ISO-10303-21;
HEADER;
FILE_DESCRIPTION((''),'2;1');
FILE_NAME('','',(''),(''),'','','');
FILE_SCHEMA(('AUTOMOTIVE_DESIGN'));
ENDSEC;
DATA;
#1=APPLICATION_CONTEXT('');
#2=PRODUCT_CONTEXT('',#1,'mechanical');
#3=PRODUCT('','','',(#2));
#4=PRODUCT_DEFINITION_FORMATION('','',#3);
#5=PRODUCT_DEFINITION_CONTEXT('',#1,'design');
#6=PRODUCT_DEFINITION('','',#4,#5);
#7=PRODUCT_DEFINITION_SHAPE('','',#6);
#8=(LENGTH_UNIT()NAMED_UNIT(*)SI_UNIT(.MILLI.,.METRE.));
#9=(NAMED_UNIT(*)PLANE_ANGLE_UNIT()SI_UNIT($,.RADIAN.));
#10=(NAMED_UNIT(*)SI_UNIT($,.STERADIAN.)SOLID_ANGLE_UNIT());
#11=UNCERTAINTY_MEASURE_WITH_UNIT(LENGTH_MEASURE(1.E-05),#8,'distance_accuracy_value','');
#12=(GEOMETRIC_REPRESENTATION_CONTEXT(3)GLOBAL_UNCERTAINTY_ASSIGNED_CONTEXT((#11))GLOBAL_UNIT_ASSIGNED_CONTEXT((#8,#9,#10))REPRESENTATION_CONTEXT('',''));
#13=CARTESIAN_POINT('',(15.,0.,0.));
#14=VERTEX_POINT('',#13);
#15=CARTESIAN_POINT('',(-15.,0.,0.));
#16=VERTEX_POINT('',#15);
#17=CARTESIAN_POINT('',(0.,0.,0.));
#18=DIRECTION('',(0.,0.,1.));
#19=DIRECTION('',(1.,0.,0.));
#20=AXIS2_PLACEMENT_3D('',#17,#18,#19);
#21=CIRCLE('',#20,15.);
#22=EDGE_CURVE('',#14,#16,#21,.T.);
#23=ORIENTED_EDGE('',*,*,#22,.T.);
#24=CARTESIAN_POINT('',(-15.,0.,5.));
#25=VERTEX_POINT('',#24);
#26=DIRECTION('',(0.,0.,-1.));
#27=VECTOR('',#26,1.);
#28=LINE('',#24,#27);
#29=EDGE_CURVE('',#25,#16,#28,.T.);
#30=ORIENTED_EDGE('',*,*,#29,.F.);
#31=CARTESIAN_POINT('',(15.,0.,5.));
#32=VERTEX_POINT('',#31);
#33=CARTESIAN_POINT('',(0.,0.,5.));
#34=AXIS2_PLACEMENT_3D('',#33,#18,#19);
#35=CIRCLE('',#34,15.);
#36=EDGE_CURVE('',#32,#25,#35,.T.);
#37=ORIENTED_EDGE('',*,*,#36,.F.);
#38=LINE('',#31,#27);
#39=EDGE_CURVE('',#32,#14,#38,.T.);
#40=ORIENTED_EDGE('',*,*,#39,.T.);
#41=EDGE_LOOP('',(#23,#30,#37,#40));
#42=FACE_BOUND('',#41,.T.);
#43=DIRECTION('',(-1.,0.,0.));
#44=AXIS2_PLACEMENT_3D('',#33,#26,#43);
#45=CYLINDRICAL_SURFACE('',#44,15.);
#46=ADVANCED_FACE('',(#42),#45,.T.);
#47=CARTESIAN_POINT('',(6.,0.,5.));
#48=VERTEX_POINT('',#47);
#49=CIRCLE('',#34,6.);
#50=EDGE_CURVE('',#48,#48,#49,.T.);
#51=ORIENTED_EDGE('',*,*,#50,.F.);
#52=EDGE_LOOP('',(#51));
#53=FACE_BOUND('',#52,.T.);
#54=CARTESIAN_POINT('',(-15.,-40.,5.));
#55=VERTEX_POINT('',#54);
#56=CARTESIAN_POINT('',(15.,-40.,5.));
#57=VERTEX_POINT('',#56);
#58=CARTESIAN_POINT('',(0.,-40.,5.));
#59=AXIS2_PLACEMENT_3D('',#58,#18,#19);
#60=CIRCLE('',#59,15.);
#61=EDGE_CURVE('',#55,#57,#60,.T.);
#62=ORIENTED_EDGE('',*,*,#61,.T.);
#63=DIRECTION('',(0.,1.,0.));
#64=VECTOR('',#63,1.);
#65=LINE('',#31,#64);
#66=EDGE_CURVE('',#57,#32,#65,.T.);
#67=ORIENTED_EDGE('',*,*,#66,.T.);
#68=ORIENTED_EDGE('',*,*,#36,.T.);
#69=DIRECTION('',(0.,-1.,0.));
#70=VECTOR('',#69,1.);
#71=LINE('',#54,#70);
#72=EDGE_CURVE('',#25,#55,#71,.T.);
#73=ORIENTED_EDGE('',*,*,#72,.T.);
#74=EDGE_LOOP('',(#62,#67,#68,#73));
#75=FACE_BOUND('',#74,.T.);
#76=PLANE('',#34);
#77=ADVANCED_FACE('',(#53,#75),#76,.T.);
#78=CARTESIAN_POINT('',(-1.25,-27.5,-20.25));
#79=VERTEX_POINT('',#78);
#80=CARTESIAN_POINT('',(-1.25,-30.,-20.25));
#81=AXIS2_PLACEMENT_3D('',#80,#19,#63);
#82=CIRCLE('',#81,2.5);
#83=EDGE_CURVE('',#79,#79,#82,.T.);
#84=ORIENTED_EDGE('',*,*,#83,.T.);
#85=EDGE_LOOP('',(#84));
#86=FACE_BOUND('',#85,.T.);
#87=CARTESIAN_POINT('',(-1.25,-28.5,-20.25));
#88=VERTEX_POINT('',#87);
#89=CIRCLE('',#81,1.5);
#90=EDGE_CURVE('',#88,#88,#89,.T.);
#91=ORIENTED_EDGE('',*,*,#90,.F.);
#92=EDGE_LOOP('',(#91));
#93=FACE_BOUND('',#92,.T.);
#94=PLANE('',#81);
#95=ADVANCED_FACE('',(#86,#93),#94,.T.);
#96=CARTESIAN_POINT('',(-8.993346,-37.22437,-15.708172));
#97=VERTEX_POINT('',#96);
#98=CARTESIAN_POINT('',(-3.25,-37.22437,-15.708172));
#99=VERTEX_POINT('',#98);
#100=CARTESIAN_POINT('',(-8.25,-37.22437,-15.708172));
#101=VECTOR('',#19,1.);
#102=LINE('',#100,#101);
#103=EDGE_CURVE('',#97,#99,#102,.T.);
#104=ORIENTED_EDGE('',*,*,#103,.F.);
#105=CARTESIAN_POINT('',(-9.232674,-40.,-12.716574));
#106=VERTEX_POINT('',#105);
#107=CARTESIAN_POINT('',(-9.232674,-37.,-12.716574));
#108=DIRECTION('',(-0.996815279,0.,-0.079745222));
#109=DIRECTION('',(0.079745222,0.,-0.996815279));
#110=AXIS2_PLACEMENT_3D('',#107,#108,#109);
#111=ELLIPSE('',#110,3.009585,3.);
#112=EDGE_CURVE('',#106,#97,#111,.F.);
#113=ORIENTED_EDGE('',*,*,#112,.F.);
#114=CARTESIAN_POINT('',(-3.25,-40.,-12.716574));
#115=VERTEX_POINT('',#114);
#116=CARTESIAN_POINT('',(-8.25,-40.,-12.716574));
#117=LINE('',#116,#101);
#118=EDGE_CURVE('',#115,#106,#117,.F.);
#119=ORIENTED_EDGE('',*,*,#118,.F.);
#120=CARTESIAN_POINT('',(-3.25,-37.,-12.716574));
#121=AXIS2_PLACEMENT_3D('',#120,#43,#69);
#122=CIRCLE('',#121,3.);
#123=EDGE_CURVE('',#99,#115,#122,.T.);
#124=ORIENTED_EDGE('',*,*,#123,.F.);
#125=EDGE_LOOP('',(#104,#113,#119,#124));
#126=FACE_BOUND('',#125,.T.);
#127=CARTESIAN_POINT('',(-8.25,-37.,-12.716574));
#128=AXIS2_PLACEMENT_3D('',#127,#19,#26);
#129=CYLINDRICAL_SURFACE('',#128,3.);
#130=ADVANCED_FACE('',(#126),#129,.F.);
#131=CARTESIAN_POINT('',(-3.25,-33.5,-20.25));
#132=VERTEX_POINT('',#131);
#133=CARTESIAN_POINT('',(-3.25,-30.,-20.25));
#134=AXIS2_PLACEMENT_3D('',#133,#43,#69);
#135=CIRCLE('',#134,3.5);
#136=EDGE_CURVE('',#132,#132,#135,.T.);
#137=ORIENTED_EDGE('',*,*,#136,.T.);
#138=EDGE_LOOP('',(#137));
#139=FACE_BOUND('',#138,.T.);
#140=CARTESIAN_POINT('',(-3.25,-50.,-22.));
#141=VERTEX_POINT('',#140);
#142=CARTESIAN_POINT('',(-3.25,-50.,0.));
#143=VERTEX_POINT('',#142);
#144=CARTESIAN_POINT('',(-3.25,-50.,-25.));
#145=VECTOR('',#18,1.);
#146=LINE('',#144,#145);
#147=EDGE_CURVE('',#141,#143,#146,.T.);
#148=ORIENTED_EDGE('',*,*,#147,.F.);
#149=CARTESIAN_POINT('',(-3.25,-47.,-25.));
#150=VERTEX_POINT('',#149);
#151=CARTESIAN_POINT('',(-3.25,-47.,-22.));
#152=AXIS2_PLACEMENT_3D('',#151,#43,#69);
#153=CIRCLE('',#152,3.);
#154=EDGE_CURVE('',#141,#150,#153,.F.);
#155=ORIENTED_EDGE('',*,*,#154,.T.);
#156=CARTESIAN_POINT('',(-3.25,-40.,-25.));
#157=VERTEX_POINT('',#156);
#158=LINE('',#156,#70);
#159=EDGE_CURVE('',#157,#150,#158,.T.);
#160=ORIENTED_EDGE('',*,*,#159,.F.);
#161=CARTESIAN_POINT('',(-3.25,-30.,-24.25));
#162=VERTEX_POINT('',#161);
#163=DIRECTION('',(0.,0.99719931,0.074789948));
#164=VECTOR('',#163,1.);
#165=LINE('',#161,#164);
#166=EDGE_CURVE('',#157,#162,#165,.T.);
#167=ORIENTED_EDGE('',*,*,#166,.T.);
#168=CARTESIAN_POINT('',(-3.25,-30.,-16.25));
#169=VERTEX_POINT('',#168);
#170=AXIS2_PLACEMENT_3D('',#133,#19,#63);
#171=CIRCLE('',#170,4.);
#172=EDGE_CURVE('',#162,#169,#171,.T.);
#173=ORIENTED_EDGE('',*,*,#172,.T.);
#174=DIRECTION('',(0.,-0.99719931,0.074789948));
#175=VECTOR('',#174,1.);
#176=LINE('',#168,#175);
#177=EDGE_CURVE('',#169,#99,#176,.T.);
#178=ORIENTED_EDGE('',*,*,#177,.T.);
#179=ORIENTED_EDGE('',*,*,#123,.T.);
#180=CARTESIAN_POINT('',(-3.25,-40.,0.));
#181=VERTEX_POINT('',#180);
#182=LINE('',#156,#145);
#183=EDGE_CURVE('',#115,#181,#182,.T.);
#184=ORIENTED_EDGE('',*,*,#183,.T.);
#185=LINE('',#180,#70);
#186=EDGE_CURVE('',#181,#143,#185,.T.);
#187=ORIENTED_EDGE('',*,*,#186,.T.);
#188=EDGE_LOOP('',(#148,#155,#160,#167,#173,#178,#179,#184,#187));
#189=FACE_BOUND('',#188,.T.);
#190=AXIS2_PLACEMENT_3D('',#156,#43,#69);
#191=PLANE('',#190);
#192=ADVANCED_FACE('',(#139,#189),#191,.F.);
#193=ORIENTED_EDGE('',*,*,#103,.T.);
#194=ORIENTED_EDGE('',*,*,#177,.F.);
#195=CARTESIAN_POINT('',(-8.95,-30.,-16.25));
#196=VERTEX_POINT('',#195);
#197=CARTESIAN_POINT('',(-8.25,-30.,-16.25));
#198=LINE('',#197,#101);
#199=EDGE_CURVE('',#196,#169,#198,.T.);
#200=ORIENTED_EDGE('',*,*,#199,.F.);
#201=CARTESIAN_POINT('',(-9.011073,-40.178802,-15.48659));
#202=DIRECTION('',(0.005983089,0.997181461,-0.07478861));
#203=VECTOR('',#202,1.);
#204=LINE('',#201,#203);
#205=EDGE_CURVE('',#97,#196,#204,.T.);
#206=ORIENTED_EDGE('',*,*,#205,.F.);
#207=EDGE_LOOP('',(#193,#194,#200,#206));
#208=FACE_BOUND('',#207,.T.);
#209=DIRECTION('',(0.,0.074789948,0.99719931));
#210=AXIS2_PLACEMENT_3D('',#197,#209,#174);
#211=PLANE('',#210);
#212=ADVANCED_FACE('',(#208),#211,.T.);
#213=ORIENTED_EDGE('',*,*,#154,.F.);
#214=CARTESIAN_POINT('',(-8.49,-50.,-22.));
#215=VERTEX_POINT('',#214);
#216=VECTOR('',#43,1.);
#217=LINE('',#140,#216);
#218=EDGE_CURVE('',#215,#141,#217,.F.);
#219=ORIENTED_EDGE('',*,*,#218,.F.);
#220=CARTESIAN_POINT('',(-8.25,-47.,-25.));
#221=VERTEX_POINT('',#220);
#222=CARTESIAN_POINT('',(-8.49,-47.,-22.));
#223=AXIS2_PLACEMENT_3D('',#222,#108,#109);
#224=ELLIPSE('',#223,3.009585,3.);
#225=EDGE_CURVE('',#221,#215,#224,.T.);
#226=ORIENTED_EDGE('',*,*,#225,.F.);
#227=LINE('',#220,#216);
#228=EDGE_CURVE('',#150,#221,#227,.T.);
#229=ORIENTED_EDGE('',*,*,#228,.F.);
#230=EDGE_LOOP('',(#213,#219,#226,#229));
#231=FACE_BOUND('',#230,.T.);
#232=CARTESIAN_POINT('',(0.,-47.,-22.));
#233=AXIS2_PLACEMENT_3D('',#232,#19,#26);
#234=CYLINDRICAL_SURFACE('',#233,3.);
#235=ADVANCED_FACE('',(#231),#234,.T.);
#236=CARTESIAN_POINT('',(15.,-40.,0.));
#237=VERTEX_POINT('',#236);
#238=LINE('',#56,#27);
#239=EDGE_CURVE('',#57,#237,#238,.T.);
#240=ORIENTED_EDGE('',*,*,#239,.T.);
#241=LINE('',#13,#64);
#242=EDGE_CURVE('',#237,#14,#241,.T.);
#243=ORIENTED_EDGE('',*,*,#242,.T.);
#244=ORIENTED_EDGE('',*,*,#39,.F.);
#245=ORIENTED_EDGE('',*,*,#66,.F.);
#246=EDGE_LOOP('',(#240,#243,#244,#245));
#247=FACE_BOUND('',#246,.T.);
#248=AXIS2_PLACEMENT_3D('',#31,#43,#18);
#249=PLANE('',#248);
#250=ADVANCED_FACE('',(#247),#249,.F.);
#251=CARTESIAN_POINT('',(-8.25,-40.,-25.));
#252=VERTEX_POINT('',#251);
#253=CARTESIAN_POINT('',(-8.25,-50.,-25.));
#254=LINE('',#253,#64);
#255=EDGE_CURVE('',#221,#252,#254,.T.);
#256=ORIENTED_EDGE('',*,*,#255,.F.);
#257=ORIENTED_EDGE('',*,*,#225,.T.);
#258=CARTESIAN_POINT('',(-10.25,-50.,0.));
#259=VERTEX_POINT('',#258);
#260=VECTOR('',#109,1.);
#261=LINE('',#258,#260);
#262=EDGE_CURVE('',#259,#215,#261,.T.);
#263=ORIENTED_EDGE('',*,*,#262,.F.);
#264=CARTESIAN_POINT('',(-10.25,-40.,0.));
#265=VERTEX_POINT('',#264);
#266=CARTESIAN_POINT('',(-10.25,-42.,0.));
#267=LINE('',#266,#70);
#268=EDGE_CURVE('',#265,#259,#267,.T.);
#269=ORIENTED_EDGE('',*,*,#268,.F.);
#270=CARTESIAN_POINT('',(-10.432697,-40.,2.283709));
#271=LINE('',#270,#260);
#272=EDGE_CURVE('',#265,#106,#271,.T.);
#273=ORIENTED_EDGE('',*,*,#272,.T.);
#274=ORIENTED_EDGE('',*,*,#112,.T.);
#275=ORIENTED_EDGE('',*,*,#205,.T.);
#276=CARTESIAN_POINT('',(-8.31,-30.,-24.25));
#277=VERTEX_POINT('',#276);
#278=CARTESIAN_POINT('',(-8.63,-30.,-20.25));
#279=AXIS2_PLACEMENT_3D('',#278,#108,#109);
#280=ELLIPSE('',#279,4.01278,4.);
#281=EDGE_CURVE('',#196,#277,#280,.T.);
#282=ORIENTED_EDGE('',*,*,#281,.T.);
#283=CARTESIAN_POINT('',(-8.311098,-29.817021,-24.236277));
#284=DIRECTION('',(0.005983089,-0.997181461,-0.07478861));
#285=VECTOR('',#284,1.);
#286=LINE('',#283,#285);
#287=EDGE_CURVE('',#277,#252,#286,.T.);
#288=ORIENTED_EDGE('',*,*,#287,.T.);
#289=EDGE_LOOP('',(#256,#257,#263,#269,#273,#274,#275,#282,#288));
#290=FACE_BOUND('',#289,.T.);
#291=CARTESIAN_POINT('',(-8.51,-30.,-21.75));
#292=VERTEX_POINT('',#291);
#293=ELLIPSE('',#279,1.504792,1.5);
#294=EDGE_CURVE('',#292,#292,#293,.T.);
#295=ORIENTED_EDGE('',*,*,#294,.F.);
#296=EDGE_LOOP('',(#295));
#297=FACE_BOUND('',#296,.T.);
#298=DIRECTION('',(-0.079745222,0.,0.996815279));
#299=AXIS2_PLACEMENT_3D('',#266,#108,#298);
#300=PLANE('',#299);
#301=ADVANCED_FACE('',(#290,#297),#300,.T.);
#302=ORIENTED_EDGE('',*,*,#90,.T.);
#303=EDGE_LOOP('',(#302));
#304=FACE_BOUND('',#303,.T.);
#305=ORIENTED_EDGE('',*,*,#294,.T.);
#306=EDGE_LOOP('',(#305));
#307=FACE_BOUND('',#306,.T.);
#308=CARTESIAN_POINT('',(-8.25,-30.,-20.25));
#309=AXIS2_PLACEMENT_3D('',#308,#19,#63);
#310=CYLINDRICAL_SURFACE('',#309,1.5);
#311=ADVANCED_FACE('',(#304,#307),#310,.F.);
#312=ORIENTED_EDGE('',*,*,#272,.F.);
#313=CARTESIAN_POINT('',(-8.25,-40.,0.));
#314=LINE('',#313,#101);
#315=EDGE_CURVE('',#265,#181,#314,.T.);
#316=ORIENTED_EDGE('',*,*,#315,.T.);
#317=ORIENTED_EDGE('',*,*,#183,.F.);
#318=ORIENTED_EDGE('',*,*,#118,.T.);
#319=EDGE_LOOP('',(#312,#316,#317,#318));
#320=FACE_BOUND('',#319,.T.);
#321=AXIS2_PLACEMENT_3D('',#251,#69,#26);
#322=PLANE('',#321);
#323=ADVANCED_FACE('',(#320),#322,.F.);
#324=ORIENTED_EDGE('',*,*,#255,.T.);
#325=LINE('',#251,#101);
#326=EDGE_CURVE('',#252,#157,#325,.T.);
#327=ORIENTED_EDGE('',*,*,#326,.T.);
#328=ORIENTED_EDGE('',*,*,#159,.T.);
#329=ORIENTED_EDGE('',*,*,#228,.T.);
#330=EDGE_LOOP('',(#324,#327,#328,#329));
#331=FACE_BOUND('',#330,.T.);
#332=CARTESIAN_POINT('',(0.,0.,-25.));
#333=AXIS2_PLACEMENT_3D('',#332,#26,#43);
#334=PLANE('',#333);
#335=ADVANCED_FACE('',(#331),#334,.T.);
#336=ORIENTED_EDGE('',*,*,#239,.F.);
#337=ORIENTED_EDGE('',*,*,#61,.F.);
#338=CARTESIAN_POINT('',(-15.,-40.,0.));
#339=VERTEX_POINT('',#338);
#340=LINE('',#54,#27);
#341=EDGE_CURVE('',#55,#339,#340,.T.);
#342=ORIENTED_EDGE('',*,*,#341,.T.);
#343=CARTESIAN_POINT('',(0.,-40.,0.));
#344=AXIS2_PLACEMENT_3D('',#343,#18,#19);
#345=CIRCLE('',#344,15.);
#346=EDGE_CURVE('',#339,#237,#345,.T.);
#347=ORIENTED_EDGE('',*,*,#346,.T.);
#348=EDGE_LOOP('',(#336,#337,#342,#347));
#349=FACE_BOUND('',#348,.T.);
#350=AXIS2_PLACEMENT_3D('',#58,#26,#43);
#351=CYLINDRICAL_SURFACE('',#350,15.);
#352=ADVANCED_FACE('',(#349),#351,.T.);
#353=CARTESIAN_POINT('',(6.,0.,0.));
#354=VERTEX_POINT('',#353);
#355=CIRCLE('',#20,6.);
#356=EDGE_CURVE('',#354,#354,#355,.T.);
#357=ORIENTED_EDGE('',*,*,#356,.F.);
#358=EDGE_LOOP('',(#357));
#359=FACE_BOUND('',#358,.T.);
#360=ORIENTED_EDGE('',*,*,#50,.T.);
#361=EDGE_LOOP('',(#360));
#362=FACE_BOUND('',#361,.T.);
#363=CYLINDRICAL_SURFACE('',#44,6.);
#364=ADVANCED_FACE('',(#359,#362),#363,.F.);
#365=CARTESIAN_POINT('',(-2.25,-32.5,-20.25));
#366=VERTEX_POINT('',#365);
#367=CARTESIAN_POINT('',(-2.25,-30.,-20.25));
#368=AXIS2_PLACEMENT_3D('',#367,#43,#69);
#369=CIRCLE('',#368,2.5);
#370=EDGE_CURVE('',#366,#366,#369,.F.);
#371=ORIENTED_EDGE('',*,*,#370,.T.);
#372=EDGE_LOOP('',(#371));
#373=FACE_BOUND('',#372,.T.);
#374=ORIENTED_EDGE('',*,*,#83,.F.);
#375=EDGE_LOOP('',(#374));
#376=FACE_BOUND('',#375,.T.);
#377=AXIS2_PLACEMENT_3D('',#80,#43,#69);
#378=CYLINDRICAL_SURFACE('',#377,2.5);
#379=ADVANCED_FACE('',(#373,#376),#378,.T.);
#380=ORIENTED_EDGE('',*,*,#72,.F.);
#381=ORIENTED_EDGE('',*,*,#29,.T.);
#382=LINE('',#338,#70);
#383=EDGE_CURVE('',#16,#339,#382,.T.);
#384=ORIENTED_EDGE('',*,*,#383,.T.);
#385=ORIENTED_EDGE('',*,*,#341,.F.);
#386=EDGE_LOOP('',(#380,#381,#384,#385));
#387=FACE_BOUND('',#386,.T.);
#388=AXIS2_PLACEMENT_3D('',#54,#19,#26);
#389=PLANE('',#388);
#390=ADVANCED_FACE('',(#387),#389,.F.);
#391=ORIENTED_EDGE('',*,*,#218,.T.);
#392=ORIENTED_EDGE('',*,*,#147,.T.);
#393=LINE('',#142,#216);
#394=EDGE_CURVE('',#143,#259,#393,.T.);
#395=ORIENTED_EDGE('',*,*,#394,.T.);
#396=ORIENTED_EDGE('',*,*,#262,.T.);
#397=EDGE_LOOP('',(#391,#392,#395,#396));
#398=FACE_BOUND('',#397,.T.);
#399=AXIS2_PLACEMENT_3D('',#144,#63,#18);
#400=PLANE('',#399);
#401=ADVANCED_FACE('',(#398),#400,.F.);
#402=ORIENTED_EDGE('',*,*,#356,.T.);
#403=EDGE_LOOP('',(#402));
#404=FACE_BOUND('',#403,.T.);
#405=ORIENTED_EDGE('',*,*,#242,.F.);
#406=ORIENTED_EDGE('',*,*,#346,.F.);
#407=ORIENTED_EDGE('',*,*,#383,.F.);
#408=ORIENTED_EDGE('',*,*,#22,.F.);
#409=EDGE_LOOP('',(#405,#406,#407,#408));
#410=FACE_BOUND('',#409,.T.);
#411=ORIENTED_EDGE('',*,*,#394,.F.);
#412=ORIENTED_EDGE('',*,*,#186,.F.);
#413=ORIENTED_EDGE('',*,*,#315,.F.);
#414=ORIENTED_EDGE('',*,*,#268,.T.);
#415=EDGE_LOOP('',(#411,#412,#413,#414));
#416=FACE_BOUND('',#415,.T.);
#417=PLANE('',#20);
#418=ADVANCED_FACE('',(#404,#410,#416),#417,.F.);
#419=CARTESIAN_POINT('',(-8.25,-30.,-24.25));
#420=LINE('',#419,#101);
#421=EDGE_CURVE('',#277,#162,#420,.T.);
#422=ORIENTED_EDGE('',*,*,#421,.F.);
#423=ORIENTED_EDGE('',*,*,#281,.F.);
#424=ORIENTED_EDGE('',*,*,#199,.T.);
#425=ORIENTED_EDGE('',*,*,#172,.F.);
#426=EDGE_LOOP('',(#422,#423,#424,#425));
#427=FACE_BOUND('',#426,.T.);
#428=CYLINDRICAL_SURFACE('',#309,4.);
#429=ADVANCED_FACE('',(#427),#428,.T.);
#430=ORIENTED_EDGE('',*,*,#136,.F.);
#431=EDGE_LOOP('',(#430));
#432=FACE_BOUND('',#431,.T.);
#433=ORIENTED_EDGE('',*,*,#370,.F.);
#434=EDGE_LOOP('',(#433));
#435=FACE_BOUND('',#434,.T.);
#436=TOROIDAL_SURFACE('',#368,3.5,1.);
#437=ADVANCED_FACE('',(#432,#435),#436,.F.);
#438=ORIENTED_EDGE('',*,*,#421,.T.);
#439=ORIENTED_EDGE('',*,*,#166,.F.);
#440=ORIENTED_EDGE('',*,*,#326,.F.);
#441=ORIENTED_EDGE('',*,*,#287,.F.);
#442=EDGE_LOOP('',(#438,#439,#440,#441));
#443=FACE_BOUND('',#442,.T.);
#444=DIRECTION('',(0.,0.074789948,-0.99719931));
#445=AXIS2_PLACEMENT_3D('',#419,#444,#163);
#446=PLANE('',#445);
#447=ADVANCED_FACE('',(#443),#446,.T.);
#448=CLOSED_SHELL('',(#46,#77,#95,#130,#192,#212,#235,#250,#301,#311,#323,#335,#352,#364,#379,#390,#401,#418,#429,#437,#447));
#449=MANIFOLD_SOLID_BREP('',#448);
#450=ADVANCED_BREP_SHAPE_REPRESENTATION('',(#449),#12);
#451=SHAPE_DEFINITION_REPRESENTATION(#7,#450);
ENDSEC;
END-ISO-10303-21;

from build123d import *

# Parameters (mm, degrees)
SKETCH1_R           = 6
BOSS_EXTRUDE1_DEPTH = 5
SKETCH2_W           = 5
SKETCH2_H           = 10
BOSS_EXTRUDE2_DEPTH = 25
SKETCH3_R           = 1.5
BOSS_EXTRUDE3_DEPTH = 5
BOSS_EXTRUDE4_DEPTH = 8
BOSS_EXTRUDE5_REACH = 66.735
SKETCH5_R           = 1.5
SKETCH6_R           = 2.5
SKETCH6_R_2         = 1.5
BOSS_EXTRUDE6_DEPTH = 2
FILLET1_R           = 1
FILLET2_R           = 3


with BuildPart() as part:
    # Sketch1 → Boss-Extrude1 (new body)
    with BuildSketch(Plane.XY):
        with BuildLine():
            Line((15, 0), (15, -40))
            ThreePointArc((15, -40), (0, -55), (-15, -40))
            Line((-15, -40), (-15, 0))
            ThreePointArc((-15, 0), (0, 15), (15, 0))
        make_face()
        Circle(SKETCH1_R, mode=Mode.SUBTRACT)
    extrude(amount=BOSS_EXTRUDE1_DEPTH)

    # Sketch2 → Boss-Extrude2 (add)
    with BuildSketch(Plane(origin=(0, 0, 0), x_dir=(-1, 0, 0), z_dir=(0, 0, -1))):
        with Locations((5.75, -45)):
            Rectangle(SKETCH2_W, SKETCH2_H)
    extrude(amount=BOSS_EXTRUDE2_DEPTH)

    # Sketch3 → Boss-Extrude3 (add)
    with BuildSketch(Plane(origin=(-3.25, 0, 0), x_dir=(0, 0, -1), z_dir=(1, 0, 0))):
        with BuildLine():
            Line((24.25, -30), (25, -40))
            Line((25, -40), (15.5, -40))
            Line((15.5, -40), (16.25, -30))
            ThreePointArc((16.25, -30), (20.25, -26), (24.25, -30))
        make_face()
        with Locations(Location((20.25, -30, 0), (0, 0, 90))):
            Circle(SKETCH3_R, mode=Mode.SUBTRACT)
    extrude(amount=-BOSS_EXTRUDE3_DEPTH)

    # Sketch4 → Boss-Extrude4 (add)
    with BuildSketch(Plane.XZ.offset(50)):
        Polygon((-8.25, -25), (-8.25, 0), (-10.25, 0), align=None)
    extrude(amount=-BOSS_EXTRUDE4_DEPTH)

    # Boss-Extrude5: up to this face of the body (flat: up to its plane)
    boss_extrude5_end = Plane(part.part.faces().sort_by_distance((-9.25, -46, -12.5))[0])
    # Sketch5 → Boss-Extrude5 (add, up to the picked face)
    with BuildSketch(Plane.ZY.offset(8.25), mode=Mode.PRIVATE) as boss_extrude5_sk1:
        with BuildLine():
            Line((-24.25, -30), (-25, -40))
            Line((-25, -40), (-25, -42))
            Line((-25, -42), (0, -42))
            Line((0, -42), (0, -40))
            Line((0, -40), (-15.5, -40))
            Line((-15.5, -40), (-16.25, -30))
            ThreePointArc((-16.25, -30), (-20.25, -26), (-24.25, -30))
        make_face()
        with Locations(Location((-20.25, -30, 0), (0, 0, 90))):
            Circle(SKETCH5_R, mode=Mode.SUBTRACT)
    boss_extrude5_tool1 = split(extrude(boss_extrude5_sk1.sketch, amount=BOSS_EXTRUDE5_REACH, mode=Mode.PRIVATE), bisect_by=boss_extrude5_end, keep=Keep.BOTH, mode=Mode.PRIVATE)
    add(boss_extrude5_tool1.solids().sort_by(Axis((-8.25, -36.153945, -17.759066), (-1, 0, 0)))[0])

    # Sketch6 → Boss-Extrude6 (add)
    with BuildSketch(Plane(origin=(-3.25, 0, 0), x_dir=(0, 0, -1), z_dir=(1, 0, 0))):
        with Locations(Location((20.25, -30, 0), (0, 0, 270))):
            Circle(SKETCH6_R)
        with Locations(Location((20.25, -30, 0), (0, 0, 90))):
            Circle(SKETCH6_R_2, mode=Mode.SUBTRACT)
    extrude(amount=BOSS_EXTRUDE6_DEPTH)

    # Fillet1
    fillet1_edges = [part.edges().sort_by_distance(p)[0] for p in [
        (-3.25, -27.5, -20.25),
    ]]
    fillet(fillet1_edges, radius=FILLET1_R)

    # Fillet2
    fillet2_edges = [part.edges().sort_by_distance(p)[0] for p in [
        (-5.75, -50, -25),
        (-6.13, -40, -15.5),
    ]]
    fillet(fillet2_edges, radius=FILLET2_R)


solid = part.part
